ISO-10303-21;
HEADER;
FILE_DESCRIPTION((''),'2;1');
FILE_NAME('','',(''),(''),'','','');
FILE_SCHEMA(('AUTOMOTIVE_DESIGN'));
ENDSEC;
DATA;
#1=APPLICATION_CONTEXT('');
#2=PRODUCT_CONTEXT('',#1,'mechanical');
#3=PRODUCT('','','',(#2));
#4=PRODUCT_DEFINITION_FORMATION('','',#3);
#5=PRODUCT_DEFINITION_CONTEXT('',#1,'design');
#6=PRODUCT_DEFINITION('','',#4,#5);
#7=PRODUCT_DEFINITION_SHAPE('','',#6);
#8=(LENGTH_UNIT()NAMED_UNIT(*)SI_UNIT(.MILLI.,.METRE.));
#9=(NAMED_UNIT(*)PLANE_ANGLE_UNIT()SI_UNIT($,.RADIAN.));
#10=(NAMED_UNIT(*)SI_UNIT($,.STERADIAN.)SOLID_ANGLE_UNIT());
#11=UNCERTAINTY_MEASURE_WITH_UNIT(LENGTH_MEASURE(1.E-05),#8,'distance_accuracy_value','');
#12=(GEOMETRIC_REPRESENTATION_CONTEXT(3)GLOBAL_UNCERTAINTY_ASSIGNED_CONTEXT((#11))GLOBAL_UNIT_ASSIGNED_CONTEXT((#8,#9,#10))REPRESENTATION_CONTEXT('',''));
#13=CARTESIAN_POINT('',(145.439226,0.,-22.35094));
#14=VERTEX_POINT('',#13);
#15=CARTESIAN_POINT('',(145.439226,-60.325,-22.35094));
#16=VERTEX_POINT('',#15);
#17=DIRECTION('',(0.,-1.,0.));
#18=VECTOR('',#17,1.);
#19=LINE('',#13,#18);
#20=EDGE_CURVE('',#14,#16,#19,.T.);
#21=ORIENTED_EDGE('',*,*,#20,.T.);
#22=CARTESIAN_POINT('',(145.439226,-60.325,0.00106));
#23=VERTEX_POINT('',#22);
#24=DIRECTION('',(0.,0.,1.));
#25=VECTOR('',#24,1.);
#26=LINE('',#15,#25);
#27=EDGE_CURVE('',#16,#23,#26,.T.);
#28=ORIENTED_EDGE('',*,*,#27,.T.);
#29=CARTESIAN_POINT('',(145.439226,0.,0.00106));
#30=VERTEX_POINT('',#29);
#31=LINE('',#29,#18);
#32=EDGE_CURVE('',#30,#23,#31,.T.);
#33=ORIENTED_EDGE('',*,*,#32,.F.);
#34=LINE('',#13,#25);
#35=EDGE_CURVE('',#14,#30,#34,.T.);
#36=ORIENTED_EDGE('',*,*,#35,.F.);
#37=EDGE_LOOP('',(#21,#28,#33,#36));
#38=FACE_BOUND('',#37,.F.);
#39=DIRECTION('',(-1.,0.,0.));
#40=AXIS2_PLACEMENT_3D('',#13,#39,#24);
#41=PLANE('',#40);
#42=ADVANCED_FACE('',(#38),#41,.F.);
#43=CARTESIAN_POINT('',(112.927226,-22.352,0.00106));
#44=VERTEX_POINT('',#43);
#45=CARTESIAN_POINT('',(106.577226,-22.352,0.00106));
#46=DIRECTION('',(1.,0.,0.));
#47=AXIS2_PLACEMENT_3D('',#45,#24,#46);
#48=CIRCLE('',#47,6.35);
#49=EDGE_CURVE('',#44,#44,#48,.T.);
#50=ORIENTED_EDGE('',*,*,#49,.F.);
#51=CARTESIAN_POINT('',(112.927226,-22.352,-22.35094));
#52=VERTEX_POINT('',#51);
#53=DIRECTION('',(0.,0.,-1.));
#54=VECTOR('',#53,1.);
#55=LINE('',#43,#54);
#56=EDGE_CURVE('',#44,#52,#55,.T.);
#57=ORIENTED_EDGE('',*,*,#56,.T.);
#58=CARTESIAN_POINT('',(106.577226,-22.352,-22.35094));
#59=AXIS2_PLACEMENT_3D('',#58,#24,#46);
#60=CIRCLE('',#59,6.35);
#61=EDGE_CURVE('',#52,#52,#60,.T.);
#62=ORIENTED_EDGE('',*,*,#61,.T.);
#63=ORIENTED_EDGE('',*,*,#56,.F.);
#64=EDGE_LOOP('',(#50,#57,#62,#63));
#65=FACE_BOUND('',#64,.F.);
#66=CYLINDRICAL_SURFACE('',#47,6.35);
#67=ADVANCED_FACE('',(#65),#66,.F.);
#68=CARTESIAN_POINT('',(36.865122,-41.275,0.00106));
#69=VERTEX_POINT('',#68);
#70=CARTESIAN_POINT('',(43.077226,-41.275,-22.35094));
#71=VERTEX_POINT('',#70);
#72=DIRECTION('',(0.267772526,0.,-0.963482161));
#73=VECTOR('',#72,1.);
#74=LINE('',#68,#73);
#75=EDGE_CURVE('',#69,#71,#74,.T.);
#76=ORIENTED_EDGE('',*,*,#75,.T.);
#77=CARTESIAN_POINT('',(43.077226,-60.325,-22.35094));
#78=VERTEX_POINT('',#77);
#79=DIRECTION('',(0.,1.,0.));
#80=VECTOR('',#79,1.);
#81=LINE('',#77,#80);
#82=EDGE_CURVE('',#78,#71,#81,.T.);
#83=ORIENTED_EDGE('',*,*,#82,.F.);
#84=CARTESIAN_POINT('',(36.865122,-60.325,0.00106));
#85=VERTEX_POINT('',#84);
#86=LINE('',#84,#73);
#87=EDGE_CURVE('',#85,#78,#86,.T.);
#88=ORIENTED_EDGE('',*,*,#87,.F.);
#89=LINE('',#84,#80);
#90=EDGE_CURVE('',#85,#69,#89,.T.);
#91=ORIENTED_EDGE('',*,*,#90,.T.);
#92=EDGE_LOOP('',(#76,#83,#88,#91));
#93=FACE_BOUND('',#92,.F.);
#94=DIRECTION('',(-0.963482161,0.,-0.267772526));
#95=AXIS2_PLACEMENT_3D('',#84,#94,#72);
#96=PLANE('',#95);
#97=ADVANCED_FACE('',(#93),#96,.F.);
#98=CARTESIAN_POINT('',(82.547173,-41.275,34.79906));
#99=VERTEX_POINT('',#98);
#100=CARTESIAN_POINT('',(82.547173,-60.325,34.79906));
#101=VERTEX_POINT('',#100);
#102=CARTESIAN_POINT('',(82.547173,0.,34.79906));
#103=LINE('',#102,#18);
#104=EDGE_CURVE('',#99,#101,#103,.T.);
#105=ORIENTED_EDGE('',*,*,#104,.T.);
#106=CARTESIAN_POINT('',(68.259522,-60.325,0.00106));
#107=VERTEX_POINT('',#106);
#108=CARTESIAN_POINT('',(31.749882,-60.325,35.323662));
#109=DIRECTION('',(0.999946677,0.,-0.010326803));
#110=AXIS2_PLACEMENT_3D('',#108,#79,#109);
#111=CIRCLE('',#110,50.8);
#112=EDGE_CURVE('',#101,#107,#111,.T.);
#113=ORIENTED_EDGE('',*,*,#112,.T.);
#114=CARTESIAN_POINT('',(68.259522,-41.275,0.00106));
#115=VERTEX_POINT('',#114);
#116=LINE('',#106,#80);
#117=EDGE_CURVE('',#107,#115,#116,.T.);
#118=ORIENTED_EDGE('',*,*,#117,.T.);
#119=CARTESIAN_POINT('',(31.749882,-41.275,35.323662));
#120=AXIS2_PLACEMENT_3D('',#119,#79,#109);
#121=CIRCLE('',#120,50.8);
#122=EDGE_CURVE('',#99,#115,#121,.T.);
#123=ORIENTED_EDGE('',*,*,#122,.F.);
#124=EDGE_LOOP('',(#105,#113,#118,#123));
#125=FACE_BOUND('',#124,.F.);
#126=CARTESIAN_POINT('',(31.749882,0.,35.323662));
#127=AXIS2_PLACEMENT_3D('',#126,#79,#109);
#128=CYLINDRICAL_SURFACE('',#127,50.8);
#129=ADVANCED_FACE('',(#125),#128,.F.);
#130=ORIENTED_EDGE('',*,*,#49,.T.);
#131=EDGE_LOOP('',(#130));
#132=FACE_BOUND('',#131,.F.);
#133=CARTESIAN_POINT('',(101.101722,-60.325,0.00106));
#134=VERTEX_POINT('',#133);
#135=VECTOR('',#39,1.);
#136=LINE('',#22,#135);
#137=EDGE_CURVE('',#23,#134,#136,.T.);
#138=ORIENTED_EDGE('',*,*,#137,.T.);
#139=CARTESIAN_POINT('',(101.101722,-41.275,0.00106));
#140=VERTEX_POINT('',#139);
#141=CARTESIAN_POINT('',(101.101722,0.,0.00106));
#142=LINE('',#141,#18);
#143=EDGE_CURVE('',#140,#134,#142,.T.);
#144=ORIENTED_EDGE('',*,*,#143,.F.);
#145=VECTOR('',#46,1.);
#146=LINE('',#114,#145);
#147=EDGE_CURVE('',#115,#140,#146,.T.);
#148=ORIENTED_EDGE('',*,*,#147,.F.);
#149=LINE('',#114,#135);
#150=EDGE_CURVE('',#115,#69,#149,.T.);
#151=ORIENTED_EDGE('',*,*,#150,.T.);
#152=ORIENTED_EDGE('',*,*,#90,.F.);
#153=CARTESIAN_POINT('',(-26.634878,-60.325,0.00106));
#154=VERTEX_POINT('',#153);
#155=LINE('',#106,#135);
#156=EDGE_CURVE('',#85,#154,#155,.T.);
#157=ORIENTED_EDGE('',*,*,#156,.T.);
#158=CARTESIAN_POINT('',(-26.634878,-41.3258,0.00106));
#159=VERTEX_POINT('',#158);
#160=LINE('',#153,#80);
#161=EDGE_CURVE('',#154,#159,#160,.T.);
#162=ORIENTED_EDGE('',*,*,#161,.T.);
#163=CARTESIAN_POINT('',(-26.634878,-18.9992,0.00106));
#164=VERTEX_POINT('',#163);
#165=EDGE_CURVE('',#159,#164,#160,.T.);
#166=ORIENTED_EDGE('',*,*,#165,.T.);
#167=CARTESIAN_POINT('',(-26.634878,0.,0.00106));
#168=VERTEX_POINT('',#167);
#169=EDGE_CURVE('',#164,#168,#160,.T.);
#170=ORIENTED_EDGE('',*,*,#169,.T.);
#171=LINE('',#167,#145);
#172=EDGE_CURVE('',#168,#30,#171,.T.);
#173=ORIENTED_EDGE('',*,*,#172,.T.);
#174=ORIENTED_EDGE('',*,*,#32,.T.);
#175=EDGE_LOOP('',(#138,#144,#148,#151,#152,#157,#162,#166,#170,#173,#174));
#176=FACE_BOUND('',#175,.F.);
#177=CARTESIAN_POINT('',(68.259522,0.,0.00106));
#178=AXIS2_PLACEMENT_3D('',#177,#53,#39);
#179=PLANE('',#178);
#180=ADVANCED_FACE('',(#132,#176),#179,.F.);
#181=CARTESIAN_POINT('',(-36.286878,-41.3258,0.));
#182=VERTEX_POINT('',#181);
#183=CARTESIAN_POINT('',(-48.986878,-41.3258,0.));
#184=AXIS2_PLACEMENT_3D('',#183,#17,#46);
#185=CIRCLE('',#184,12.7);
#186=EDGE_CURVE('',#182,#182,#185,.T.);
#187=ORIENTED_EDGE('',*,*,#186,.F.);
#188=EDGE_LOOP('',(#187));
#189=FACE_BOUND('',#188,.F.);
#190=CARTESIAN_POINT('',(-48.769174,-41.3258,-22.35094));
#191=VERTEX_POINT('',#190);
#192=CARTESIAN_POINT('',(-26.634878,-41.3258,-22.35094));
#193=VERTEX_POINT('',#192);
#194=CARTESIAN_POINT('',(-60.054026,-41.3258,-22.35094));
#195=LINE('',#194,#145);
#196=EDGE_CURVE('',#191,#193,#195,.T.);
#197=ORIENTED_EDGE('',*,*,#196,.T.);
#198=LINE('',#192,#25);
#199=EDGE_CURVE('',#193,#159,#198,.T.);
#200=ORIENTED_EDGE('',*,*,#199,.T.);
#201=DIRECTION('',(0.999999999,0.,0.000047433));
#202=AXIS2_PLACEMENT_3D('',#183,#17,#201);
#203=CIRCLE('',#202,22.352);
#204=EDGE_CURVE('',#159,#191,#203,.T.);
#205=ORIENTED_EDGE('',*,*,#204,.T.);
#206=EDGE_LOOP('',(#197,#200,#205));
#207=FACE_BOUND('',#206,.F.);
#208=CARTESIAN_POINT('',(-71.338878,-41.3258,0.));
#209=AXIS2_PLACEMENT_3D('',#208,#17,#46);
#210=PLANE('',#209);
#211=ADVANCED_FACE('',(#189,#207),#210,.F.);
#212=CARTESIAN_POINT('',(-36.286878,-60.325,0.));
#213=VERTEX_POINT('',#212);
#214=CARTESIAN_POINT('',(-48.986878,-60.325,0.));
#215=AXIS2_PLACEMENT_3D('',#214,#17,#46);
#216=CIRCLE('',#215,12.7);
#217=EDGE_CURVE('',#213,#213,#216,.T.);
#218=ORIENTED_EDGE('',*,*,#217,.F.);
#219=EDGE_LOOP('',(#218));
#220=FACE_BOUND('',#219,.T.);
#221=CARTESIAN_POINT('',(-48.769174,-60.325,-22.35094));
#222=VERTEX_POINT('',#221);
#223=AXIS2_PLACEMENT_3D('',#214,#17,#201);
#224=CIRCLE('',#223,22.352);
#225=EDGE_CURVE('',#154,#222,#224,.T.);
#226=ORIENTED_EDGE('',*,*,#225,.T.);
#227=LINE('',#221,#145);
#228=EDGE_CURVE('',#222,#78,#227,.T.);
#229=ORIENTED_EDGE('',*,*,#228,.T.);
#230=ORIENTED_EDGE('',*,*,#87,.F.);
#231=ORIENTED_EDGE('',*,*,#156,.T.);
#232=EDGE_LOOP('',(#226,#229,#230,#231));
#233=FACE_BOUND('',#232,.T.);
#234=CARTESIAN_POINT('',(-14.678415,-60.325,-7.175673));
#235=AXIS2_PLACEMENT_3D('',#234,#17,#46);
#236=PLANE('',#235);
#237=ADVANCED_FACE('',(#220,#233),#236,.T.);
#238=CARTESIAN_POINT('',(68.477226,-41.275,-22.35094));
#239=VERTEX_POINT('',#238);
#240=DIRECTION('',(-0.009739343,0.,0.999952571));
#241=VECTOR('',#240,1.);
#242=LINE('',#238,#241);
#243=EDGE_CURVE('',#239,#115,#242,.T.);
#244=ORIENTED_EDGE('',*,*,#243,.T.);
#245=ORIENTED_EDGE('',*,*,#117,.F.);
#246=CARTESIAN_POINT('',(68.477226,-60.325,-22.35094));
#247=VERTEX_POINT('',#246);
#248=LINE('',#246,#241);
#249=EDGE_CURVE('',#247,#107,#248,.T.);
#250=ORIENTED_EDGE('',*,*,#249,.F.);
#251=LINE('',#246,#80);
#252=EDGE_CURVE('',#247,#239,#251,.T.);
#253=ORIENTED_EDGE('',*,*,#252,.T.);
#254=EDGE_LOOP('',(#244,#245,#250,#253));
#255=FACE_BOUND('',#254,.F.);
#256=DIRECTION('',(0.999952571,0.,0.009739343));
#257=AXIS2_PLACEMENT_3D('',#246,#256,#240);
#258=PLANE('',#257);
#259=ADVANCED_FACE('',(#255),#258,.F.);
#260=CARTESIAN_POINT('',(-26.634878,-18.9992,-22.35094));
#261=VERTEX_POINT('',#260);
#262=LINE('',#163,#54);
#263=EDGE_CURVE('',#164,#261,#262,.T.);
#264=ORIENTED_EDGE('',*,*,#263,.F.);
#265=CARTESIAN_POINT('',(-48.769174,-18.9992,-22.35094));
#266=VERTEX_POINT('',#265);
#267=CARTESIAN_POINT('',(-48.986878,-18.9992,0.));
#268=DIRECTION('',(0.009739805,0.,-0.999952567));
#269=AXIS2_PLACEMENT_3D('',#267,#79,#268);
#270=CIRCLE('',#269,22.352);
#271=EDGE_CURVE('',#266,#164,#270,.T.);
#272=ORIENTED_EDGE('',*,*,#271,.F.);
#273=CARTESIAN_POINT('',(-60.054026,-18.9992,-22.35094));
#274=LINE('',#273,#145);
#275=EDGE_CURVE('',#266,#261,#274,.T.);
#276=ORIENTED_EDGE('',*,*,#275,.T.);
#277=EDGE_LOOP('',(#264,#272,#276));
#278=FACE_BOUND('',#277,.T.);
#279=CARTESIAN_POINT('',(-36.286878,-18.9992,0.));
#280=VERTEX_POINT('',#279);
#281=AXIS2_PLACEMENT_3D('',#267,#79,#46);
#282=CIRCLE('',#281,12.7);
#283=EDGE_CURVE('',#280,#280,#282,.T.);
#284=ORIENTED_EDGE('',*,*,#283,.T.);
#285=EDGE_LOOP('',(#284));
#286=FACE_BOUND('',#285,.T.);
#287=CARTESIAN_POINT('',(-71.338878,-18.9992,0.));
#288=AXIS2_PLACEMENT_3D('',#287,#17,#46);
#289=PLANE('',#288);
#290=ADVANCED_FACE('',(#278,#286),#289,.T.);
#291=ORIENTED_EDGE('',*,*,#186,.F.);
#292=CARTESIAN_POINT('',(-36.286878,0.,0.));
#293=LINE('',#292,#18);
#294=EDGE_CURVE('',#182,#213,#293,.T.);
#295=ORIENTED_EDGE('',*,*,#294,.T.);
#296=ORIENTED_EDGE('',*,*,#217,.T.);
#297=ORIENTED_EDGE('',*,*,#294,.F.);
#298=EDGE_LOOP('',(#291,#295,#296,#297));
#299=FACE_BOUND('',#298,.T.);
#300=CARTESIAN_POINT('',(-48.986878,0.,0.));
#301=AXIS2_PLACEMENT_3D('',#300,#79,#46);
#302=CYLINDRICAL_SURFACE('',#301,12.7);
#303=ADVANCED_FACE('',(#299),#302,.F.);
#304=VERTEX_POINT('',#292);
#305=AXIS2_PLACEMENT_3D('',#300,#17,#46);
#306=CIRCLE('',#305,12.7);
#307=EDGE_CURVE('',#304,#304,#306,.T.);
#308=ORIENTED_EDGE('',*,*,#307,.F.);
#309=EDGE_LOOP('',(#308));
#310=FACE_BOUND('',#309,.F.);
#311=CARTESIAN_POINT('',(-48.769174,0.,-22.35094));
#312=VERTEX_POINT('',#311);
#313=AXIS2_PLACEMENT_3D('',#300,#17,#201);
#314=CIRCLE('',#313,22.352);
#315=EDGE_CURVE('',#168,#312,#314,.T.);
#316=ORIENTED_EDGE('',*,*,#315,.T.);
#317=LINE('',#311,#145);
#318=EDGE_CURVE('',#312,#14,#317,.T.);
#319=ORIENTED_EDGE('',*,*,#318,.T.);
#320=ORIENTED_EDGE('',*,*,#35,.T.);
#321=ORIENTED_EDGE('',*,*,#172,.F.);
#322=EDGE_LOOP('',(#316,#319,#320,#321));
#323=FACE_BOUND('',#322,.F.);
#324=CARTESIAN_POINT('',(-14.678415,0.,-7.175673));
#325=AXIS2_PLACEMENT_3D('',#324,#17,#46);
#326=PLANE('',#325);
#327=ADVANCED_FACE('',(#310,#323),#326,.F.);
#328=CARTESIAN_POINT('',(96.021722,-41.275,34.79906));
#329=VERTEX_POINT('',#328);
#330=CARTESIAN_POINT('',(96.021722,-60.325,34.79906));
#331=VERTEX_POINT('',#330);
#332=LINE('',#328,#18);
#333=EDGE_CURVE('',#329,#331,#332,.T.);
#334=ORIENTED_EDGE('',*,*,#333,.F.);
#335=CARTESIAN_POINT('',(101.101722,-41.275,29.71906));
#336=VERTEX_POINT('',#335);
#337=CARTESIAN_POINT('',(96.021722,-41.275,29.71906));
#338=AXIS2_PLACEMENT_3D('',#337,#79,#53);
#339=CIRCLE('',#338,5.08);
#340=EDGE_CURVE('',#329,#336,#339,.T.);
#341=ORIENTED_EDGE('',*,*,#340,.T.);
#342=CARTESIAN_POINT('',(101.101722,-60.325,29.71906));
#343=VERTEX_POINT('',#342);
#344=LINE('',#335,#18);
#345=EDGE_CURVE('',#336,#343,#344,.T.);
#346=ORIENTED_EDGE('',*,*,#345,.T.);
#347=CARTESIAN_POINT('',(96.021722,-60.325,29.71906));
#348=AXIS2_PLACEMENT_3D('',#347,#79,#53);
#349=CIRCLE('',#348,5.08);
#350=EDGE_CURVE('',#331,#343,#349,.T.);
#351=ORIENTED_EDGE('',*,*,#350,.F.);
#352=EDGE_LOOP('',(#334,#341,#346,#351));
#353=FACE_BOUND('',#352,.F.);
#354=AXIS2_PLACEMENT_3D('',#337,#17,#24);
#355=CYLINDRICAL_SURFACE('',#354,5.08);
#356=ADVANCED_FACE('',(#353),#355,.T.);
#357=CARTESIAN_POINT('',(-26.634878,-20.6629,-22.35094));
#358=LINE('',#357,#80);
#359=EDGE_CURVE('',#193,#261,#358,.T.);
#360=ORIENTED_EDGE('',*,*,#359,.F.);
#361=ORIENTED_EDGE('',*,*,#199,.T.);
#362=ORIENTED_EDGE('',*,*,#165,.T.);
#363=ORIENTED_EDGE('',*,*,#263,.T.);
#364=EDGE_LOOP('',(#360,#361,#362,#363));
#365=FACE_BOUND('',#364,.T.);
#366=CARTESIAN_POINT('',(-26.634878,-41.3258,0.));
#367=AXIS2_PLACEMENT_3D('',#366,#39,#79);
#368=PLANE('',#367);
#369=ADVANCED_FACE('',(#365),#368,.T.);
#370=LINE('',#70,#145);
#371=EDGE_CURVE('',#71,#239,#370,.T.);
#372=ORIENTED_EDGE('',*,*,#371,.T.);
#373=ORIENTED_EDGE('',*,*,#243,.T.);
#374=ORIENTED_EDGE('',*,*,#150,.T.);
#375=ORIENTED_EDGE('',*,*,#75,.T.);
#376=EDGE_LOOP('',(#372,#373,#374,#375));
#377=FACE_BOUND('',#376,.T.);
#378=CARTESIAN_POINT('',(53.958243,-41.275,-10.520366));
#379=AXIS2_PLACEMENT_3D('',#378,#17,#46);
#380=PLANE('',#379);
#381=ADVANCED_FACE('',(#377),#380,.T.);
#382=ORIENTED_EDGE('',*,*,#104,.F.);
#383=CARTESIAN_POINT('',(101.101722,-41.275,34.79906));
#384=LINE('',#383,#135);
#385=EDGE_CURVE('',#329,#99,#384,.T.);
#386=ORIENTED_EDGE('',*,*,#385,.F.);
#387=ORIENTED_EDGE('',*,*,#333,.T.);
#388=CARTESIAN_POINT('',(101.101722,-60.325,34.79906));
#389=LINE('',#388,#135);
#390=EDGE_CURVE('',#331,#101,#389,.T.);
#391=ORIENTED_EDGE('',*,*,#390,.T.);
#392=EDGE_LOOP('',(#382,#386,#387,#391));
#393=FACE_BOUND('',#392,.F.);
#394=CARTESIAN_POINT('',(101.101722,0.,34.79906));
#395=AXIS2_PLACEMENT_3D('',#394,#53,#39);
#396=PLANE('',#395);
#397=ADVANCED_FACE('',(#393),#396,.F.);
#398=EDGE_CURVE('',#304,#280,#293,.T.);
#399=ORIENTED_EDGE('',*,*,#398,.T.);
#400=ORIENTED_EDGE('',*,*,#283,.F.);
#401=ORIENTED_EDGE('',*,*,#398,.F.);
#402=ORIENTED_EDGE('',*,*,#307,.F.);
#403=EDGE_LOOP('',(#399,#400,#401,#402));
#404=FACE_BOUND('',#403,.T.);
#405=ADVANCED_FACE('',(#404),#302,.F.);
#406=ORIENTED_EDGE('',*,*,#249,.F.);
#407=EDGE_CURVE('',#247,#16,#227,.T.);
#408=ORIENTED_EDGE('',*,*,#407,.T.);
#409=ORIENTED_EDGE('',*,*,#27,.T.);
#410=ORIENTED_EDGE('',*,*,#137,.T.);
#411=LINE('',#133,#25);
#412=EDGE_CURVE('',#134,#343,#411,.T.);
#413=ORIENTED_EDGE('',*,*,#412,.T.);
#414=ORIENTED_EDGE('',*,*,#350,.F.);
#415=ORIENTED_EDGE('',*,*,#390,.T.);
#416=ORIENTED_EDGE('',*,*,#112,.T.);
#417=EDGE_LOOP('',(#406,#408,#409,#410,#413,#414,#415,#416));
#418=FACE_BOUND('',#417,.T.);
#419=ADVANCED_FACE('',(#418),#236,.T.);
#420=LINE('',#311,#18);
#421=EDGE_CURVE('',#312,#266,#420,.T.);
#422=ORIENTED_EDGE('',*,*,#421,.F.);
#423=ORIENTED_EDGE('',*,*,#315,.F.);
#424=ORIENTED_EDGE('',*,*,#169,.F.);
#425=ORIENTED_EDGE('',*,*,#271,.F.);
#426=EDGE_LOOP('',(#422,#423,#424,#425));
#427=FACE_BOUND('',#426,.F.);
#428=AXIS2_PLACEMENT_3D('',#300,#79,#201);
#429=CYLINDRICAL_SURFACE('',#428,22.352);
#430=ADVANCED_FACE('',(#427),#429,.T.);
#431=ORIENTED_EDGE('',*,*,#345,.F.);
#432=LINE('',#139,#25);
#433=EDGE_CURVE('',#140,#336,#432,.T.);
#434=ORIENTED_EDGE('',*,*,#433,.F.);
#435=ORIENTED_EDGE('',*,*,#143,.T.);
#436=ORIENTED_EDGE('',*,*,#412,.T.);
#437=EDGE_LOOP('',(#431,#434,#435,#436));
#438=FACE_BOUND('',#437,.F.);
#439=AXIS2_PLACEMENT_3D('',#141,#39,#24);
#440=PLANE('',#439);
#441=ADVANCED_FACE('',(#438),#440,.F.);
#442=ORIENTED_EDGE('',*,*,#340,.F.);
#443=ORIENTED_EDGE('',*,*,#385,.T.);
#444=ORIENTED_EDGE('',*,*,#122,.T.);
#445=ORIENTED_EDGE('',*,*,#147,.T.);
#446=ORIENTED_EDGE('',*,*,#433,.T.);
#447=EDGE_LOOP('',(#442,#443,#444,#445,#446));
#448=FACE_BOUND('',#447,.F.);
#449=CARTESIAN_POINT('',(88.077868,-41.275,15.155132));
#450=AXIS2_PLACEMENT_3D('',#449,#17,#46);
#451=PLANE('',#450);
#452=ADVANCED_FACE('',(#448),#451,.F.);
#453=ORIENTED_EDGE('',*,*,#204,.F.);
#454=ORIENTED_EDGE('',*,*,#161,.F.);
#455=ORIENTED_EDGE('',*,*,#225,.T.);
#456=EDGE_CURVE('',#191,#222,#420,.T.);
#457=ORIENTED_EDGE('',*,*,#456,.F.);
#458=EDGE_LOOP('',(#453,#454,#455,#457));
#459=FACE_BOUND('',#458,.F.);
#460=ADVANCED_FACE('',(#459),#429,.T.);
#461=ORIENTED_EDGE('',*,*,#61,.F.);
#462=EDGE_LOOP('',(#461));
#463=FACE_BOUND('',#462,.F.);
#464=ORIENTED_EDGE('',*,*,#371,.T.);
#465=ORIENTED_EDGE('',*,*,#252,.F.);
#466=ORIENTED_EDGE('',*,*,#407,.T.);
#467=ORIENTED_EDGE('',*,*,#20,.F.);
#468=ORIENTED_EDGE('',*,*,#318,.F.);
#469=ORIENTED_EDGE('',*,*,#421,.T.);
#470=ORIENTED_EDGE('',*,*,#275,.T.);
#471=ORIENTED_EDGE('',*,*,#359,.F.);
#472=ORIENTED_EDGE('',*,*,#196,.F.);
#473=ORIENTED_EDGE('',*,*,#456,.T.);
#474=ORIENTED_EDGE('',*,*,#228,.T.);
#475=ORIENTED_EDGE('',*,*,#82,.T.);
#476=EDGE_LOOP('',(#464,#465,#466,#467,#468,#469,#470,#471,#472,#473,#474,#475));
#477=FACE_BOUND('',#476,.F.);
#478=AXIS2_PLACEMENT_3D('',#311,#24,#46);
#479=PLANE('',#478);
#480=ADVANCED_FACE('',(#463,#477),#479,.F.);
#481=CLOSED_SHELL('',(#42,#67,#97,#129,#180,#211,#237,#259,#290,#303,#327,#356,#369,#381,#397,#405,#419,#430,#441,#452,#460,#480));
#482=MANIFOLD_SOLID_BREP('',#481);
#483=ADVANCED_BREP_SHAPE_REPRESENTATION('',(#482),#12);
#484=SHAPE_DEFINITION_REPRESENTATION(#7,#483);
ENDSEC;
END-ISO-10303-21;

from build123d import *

# Parameters (mm, degrees)
F0_R           = 12.7
F1_DEPTH       = 60.325
F2_DEPTH       = 25.4
F4_DEPTH       = 19.05
F5_DEPTH       = 41.275
F6_R           = 5.08
F7_R           = 6.35
F8_DEPTH       = 25.4
F9_W           = 44.704
F9_H           = 22.3266
F10_DEPTH      = 25.4
F10_DEPTH_BACK = 25.4


with BuildPart() as f1:
    # F0 (on Front) → F1 (new body)
    with BuildSketch(Plane.XZ):
        with BuildLine():
            Line((36.865121601, 0.0010602231), (-26.6348784242, 0.0010602231))
            ThreePointArc((-26.6348784242, 0.0010602231), (-64.8692857058, 15.7277157318), (-48.7691742678, -22.3509397769))
            Line((-48.7691742678, -22.3509397769), (43.0772257322, -22.3509397769))
            Line((43.0772257322, -22.3509397769), (36.865121601, 0.0010602231))
        make_face()
        with Locations((-48.986878399, 0)):
            Circle(F0_R, mode=Mode.SUBTRACT)
        Polygon((68.259521601, 0.0010602231), (36.865121601, 0.0010602231), (43.0772257322, -22.3509397769), (68.4772257322, -22.3509397769), align=None)
        with BuildLine():
            ThreePointArc((82.5471727442, 34.7990602231), (78.7429689335, 16.0288506516), (68.259521601, 0.0010602231))
            Line((68.259521601, 0.0010602231), (101.101721601, 0.0010602231))
            Line((101.101721601, 0.0010602231), (101.101721601, 34.7990602231))
            Line((101.101721601, 34.7990602231), (82.5471727442, 34.7990602231))
        make_face()
        Polygon((101.101721601, 0.0010602231), (68.259521601, 0.0010602231), (68.4772257322, -22.3509397769), (145.4392257322, -22.3509397769), (145.4392257322, 0.0010602231), (145.2215215758, 0.0010602231), align=None)
    extrude(amount=F1_DEPTH)

    # F0 (on Front) → F2 (join)
    with BuildSketch(Plane.XZ):
        with BuildLine():
            Line((36.865121601, 0.0010602231), (-26.6348784242, 0.0010602231))
            ThreePointArc((-26.6348784242, 0.0010602231), (-64.8692857058, 15.7277157318), (-48.7691742678, -22.3509397769))
            Line((-48.7691742678, -22.3509397769), (43.0772257322, -22.3509397769))
            Line((43.0772257322, -22.3509397769), (36.865121601, 0.0010602231))
        make_face()
        with Locations((-48.986878399, 0)):
            Circle(F0_R, mode=Mode.SUBTRACT)
        Polygon((68.259521601, 0.0010602231), (36.865121601, 0.0010602231), (43.0772257322, -22.3509397769), (68.4772257322, -22.3509397769), align=None)
        with BuildLine():
            ThreePointArc((82.5471727442, 34.7990602231), (78.7429689335, 16.0288506516), (68.259521601, 0.0010602231))
            Line((68.259521601, 0.0010602231), (101.101721601, 0.0010602231))
            Line((101.101721601, 0.0010602231), (101.101721601, 34.7990602231))
            Line((101.101721601, 34.7990602231), (82.5471727442, 34.7990602231))
        make_face()
        Polygon((101.101721601, 0.0010602231), (68.259521601, 0.0010602231), (68.4772257322, -22.3509397769), (145.4392257322, -22.3509397769), (145.4392257322, 0.0010602231), (145.2215215758, 0.0010602231), align=None)
    extrude(amount=F2_DEPTH)

    # F3 (on face) → F4 (cut)
    with BuildSketch(Plane.XZ.offset(60.325)):
        Polygon((68.259521601, 0.0010602231), (36.865121601, 0.0010602231), (43.0772257322, -22.3509397769), (68.4772257322, -22.3509397769), align=None)
    extrude(amount=-F4_DEPTH, mode=Mode.SUBTRACT)

    # F0 (on Front) → F5 (cut)
    with BuildSketch(Plane.XZ):
        with BuildLine():
            ThreePointArc((82.5471727442, 34.7990602231), (78.7429689335, 16.0288506516), (68.259521601, 0.0010602231))
            Line((68.259521601, 0.0010602231), (101.101721601, 0.0010602231))
            Line((101.101721601, 0.0010602231), (101.101721601, 34.7990602231))
            Line((101.101721601, 34.7990602231), (82.5471727442, 34.7990602231))
        make_face()
    extrude(amount=F5_DEPTH, mode=Mode.SUBTRACT)

    # F6
    f6_edges = [f1.edges().sort_by_distance(p)[0] for p in [
        (101.101722, -50.8, 34.79906),
    ]]
    fillet(f6_edges, radius=F6_R)

    # F7 (on face) → F8 (cut)
    with BuildSketch(Plane.XY.offset(0.0010602231)):
        with Locations((106.5772257322, -22.352)):
            Circle(F7_R)
    extrude(amount=-F8_DEPTH, mode=Mode.SUBTRACT)

    # F9 (on Top) → F10 (cut, two sides)
    with BuildSketch(Plane.XY) as f10_sk:
        with Locations((-48.9868784242, -30.1625)):
            Rectangle(F9_W, F9_H)
    extrude(amount=F10_DEPTH, mode=Mode.SUBTRACT)
    extrude(f10_sk.sketch, amount=-F10_DEPTH_BACK, mode=Mode.SUBTRACT)


solid = f1.part
